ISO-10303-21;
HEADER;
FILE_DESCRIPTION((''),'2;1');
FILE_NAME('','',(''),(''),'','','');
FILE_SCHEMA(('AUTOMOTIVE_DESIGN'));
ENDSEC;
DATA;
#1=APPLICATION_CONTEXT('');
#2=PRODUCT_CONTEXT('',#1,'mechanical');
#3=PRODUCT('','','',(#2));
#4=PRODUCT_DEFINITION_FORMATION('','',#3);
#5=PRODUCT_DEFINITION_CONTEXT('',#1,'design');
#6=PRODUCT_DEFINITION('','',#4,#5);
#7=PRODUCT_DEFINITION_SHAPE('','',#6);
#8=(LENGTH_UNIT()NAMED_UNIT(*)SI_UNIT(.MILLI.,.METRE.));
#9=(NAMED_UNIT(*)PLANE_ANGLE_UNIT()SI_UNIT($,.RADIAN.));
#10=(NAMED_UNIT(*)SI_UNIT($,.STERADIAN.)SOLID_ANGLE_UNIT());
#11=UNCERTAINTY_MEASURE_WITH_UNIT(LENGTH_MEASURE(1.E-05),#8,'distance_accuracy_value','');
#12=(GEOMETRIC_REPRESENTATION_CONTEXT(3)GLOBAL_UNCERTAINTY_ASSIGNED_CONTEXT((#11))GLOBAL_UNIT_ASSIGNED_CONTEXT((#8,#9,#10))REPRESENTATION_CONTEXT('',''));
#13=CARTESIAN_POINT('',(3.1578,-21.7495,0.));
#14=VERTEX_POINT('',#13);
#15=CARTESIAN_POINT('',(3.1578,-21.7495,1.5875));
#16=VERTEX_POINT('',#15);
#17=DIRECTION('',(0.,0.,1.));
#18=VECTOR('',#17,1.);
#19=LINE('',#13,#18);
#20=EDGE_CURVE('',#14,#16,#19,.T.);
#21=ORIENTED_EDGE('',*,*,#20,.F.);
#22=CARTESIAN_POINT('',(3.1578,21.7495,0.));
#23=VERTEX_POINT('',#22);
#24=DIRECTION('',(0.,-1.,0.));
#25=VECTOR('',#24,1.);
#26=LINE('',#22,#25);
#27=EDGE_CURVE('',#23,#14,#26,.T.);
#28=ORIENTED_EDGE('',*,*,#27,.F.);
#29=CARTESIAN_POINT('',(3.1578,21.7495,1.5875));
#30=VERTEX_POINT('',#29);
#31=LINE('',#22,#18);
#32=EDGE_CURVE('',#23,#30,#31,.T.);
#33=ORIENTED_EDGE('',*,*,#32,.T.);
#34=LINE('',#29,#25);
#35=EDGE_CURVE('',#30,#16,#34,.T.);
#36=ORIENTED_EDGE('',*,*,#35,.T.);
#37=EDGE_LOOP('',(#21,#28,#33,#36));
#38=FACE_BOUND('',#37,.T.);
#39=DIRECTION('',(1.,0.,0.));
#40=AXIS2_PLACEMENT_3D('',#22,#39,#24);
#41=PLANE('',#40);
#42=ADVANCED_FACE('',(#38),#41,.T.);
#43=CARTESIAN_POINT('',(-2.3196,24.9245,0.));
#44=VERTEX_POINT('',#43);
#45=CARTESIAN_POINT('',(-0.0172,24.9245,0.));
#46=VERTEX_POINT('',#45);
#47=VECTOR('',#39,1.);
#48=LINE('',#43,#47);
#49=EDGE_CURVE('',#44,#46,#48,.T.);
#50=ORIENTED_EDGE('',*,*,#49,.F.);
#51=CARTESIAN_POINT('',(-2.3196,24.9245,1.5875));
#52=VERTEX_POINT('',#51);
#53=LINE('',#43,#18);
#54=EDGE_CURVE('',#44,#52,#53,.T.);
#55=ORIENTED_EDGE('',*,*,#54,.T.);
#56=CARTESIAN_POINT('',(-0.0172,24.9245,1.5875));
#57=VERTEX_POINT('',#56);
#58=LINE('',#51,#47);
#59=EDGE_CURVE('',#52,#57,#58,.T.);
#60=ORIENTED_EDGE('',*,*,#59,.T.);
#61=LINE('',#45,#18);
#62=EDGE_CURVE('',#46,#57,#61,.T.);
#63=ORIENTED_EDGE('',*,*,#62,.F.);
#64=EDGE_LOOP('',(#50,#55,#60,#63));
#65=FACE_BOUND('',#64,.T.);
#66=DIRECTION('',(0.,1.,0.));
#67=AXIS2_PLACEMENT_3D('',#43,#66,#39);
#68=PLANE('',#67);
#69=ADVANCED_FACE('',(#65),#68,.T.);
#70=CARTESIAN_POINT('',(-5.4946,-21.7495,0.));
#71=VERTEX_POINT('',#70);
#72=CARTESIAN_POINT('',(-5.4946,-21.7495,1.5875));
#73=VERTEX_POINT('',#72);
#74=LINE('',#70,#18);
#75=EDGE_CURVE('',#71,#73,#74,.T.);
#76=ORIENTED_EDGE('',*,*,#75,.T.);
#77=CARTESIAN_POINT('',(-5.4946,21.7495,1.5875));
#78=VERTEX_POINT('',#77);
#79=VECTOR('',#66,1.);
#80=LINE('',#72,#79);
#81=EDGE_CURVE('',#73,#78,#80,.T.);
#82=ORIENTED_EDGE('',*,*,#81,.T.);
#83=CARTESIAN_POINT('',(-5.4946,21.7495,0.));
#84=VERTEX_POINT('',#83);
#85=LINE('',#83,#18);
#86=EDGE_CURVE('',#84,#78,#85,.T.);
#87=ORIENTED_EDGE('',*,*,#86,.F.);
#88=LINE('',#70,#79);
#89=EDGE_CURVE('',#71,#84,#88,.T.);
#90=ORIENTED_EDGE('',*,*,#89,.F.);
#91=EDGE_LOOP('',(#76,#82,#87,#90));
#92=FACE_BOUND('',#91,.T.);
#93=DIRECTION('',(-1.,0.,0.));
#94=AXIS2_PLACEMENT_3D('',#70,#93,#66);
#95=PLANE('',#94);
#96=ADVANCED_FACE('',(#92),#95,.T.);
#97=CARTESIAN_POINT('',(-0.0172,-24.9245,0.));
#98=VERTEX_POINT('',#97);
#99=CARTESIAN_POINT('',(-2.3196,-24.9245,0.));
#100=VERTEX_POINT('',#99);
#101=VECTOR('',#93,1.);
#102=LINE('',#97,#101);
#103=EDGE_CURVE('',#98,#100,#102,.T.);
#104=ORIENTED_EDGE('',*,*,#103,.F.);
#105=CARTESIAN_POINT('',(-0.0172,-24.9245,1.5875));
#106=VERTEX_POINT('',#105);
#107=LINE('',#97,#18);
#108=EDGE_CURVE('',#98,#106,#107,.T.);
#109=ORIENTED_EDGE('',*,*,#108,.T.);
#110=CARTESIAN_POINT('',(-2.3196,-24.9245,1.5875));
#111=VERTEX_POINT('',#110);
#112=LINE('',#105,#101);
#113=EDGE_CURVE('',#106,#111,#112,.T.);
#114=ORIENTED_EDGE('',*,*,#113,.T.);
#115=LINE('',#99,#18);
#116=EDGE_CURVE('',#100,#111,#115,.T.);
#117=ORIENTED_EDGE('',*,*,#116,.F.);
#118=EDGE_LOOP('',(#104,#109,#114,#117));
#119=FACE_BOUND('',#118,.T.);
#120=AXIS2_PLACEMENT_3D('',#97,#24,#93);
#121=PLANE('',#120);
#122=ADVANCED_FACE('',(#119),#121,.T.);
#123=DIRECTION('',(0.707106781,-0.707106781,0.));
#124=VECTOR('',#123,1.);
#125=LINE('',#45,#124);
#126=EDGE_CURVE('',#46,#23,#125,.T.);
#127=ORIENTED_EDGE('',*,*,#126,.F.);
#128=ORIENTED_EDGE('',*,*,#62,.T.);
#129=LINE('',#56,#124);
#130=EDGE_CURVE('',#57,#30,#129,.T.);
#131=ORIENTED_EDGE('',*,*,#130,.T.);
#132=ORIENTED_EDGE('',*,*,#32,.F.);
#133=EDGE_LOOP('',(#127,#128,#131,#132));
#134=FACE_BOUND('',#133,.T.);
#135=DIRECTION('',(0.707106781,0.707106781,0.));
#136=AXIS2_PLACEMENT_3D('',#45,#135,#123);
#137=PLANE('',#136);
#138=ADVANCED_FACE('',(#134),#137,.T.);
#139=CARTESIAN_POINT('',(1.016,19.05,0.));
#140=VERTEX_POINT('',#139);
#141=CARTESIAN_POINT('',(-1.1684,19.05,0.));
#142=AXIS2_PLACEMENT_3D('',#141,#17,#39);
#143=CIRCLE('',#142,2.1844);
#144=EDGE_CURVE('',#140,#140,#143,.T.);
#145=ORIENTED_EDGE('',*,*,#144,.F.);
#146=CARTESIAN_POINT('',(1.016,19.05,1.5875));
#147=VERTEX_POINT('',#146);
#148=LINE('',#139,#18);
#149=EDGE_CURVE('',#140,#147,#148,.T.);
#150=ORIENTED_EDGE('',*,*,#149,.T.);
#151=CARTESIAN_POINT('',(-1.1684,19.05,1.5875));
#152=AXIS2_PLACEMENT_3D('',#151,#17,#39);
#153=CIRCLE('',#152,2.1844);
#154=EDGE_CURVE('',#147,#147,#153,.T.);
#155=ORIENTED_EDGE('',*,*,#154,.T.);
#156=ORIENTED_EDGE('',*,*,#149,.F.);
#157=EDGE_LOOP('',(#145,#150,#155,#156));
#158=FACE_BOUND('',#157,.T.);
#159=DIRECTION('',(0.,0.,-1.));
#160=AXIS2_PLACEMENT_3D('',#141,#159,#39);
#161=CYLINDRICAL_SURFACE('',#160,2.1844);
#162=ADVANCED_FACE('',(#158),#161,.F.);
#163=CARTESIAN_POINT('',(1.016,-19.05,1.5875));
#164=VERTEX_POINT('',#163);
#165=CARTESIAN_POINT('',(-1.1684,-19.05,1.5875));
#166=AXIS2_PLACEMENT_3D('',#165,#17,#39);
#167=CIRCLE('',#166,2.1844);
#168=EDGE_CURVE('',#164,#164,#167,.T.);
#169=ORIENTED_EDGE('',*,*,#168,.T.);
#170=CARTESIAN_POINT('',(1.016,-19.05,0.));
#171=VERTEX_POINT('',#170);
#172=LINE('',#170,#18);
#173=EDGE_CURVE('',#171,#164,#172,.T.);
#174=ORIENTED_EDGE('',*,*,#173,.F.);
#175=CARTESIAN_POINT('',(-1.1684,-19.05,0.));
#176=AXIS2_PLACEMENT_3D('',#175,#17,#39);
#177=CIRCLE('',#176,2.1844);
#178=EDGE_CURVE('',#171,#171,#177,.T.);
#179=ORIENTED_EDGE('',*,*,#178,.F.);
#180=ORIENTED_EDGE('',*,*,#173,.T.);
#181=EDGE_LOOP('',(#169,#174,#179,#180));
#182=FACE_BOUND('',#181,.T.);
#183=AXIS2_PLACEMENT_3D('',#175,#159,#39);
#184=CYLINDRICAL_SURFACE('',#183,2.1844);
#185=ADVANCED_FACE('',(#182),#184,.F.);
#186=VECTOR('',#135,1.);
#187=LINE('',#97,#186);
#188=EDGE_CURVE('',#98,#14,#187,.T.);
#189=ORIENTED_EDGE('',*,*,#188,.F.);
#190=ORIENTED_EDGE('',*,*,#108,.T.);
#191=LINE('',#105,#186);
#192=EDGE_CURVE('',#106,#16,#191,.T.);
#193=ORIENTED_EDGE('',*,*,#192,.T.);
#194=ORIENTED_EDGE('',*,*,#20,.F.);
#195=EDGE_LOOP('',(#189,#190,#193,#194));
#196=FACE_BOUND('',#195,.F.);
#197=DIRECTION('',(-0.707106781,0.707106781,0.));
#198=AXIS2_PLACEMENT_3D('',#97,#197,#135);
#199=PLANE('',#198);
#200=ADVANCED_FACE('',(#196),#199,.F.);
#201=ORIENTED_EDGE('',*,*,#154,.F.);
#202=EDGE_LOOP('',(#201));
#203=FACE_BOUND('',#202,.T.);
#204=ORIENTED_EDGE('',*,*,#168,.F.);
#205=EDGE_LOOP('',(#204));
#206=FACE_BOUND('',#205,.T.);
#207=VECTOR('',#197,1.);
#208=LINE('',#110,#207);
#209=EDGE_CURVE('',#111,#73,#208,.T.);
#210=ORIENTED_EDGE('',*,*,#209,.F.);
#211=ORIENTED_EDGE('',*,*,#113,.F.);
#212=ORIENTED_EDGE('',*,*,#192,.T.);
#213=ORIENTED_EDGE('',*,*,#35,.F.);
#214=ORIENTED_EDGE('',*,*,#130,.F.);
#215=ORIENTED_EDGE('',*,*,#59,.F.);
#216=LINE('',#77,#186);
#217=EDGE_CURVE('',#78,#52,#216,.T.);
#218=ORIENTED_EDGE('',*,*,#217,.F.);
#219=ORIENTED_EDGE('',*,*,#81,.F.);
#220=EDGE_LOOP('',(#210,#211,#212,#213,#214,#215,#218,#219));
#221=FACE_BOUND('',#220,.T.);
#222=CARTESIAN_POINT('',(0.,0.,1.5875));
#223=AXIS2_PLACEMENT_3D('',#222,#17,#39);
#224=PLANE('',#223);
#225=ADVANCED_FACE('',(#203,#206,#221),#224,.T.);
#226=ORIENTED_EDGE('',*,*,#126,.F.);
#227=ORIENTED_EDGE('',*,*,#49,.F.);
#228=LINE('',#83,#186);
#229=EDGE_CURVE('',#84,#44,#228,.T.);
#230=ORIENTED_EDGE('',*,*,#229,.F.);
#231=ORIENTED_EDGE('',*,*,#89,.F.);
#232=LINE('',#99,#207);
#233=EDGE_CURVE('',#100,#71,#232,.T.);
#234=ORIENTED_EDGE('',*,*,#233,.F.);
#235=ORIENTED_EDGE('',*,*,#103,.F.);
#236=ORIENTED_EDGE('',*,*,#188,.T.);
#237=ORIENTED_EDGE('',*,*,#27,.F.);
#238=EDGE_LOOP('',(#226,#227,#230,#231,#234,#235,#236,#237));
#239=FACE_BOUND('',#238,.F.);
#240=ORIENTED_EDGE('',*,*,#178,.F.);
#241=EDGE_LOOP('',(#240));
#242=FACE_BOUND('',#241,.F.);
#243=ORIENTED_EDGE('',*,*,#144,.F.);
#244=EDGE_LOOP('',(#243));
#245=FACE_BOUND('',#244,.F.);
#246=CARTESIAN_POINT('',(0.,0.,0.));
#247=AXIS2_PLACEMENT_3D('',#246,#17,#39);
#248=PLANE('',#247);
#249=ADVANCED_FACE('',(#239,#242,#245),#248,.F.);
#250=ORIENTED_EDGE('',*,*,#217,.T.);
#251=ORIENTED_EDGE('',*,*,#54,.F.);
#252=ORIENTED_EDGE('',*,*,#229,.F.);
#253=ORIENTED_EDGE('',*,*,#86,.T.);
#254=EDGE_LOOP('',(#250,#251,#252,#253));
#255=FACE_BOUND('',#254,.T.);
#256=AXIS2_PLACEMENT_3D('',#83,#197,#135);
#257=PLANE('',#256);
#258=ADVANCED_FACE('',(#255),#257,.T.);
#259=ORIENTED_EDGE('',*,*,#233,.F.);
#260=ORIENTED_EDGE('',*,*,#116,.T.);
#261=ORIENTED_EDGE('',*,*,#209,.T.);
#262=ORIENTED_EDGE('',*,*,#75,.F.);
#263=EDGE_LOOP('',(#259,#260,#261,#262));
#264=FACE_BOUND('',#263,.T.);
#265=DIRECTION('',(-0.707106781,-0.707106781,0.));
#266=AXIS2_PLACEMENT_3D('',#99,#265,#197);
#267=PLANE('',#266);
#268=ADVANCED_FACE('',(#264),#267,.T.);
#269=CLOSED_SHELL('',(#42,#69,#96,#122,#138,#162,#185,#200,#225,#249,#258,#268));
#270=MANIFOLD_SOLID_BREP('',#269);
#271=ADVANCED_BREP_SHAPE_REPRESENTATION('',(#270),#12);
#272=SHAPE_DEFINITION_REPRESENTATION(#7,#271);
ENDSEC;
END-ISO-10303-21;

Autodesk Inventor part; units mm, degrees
ref_plane "YZ Plane" through (0, 0, 0) normal (1, 0, 0) x (0, 1, 0)
ref_plane "XZ Plane" through (0, 0, 0) normal (0, 1, 0) x (-1, 0, 0)
ref_plane "XY Plane" through (0, 0, 0) normal (0, 0, 1) x (1, 0, 0)
sketch "Sketch1" plane through (0, 0, 0) normal (0, 0, 1) x (1, 0, 0)
  circle A0 centre (-1.1684, -19.05) radius 2.1844 projected
  circle A1 centre (-1.1684, 19.05) radius 2.1844 projected
  line L0 (3.9688, -24.2345) -> (3.9688, 38.1) construction
  line L1 (-0.0172, -24.9245) -> (-2.3196, -24.9245)
  line L2 (-5.4946, -21.7495) -> (-5.4946, 21.7495)
  line L3 (-2.3196, 24.9245) -> (-0.0172, 24.9245)
  line L4 (3.1578, 21.7495) -> (3.1578, -21.7495)
  line L5 (-2.3196, -24.9245) -> (-5.4946, -21.7495)
  line L6 (-0.0172, -24.9245) -> (3.1578, -21.7495)
  line L7 (-0.0172, 24.9245) -> (3.1578, 21.7495)
  line L8 (-5.4946, 21.7495) -> (-2.3196, 24.9245)
  point P0 (0, 0)
  point P1 (3.1578, -24.9245)
  point P2 (-5.4946, 24.9245)
  point P3 (-5.4946, -24.9245)
  point P4 (3.1578, 24.9245)
  dimension "d0" = 3.175
  dimension "d1" = 3.175
  dimension "d2" = 3.175
  dimension "d3" = 3.175
  dimension "d4" = 3.175
  dimension "d5" = 3.175
  dimension "d6" = 3.175
  dimension "d7" = 3.175
extrude "Extrusion1" add sketch "Sketch1" along normal blind 1.5875
equation "\"d1\" = d0"
equation "\"d2\" = d0"
equation "\"d3\" = d2"
equation "\"d4\" = d0"
equation "\"d5\" = d4"
equation "\"d6\" = d0"
equation "\"d7\" = d6"
properties part number "Endgame brake pad polycarb"
